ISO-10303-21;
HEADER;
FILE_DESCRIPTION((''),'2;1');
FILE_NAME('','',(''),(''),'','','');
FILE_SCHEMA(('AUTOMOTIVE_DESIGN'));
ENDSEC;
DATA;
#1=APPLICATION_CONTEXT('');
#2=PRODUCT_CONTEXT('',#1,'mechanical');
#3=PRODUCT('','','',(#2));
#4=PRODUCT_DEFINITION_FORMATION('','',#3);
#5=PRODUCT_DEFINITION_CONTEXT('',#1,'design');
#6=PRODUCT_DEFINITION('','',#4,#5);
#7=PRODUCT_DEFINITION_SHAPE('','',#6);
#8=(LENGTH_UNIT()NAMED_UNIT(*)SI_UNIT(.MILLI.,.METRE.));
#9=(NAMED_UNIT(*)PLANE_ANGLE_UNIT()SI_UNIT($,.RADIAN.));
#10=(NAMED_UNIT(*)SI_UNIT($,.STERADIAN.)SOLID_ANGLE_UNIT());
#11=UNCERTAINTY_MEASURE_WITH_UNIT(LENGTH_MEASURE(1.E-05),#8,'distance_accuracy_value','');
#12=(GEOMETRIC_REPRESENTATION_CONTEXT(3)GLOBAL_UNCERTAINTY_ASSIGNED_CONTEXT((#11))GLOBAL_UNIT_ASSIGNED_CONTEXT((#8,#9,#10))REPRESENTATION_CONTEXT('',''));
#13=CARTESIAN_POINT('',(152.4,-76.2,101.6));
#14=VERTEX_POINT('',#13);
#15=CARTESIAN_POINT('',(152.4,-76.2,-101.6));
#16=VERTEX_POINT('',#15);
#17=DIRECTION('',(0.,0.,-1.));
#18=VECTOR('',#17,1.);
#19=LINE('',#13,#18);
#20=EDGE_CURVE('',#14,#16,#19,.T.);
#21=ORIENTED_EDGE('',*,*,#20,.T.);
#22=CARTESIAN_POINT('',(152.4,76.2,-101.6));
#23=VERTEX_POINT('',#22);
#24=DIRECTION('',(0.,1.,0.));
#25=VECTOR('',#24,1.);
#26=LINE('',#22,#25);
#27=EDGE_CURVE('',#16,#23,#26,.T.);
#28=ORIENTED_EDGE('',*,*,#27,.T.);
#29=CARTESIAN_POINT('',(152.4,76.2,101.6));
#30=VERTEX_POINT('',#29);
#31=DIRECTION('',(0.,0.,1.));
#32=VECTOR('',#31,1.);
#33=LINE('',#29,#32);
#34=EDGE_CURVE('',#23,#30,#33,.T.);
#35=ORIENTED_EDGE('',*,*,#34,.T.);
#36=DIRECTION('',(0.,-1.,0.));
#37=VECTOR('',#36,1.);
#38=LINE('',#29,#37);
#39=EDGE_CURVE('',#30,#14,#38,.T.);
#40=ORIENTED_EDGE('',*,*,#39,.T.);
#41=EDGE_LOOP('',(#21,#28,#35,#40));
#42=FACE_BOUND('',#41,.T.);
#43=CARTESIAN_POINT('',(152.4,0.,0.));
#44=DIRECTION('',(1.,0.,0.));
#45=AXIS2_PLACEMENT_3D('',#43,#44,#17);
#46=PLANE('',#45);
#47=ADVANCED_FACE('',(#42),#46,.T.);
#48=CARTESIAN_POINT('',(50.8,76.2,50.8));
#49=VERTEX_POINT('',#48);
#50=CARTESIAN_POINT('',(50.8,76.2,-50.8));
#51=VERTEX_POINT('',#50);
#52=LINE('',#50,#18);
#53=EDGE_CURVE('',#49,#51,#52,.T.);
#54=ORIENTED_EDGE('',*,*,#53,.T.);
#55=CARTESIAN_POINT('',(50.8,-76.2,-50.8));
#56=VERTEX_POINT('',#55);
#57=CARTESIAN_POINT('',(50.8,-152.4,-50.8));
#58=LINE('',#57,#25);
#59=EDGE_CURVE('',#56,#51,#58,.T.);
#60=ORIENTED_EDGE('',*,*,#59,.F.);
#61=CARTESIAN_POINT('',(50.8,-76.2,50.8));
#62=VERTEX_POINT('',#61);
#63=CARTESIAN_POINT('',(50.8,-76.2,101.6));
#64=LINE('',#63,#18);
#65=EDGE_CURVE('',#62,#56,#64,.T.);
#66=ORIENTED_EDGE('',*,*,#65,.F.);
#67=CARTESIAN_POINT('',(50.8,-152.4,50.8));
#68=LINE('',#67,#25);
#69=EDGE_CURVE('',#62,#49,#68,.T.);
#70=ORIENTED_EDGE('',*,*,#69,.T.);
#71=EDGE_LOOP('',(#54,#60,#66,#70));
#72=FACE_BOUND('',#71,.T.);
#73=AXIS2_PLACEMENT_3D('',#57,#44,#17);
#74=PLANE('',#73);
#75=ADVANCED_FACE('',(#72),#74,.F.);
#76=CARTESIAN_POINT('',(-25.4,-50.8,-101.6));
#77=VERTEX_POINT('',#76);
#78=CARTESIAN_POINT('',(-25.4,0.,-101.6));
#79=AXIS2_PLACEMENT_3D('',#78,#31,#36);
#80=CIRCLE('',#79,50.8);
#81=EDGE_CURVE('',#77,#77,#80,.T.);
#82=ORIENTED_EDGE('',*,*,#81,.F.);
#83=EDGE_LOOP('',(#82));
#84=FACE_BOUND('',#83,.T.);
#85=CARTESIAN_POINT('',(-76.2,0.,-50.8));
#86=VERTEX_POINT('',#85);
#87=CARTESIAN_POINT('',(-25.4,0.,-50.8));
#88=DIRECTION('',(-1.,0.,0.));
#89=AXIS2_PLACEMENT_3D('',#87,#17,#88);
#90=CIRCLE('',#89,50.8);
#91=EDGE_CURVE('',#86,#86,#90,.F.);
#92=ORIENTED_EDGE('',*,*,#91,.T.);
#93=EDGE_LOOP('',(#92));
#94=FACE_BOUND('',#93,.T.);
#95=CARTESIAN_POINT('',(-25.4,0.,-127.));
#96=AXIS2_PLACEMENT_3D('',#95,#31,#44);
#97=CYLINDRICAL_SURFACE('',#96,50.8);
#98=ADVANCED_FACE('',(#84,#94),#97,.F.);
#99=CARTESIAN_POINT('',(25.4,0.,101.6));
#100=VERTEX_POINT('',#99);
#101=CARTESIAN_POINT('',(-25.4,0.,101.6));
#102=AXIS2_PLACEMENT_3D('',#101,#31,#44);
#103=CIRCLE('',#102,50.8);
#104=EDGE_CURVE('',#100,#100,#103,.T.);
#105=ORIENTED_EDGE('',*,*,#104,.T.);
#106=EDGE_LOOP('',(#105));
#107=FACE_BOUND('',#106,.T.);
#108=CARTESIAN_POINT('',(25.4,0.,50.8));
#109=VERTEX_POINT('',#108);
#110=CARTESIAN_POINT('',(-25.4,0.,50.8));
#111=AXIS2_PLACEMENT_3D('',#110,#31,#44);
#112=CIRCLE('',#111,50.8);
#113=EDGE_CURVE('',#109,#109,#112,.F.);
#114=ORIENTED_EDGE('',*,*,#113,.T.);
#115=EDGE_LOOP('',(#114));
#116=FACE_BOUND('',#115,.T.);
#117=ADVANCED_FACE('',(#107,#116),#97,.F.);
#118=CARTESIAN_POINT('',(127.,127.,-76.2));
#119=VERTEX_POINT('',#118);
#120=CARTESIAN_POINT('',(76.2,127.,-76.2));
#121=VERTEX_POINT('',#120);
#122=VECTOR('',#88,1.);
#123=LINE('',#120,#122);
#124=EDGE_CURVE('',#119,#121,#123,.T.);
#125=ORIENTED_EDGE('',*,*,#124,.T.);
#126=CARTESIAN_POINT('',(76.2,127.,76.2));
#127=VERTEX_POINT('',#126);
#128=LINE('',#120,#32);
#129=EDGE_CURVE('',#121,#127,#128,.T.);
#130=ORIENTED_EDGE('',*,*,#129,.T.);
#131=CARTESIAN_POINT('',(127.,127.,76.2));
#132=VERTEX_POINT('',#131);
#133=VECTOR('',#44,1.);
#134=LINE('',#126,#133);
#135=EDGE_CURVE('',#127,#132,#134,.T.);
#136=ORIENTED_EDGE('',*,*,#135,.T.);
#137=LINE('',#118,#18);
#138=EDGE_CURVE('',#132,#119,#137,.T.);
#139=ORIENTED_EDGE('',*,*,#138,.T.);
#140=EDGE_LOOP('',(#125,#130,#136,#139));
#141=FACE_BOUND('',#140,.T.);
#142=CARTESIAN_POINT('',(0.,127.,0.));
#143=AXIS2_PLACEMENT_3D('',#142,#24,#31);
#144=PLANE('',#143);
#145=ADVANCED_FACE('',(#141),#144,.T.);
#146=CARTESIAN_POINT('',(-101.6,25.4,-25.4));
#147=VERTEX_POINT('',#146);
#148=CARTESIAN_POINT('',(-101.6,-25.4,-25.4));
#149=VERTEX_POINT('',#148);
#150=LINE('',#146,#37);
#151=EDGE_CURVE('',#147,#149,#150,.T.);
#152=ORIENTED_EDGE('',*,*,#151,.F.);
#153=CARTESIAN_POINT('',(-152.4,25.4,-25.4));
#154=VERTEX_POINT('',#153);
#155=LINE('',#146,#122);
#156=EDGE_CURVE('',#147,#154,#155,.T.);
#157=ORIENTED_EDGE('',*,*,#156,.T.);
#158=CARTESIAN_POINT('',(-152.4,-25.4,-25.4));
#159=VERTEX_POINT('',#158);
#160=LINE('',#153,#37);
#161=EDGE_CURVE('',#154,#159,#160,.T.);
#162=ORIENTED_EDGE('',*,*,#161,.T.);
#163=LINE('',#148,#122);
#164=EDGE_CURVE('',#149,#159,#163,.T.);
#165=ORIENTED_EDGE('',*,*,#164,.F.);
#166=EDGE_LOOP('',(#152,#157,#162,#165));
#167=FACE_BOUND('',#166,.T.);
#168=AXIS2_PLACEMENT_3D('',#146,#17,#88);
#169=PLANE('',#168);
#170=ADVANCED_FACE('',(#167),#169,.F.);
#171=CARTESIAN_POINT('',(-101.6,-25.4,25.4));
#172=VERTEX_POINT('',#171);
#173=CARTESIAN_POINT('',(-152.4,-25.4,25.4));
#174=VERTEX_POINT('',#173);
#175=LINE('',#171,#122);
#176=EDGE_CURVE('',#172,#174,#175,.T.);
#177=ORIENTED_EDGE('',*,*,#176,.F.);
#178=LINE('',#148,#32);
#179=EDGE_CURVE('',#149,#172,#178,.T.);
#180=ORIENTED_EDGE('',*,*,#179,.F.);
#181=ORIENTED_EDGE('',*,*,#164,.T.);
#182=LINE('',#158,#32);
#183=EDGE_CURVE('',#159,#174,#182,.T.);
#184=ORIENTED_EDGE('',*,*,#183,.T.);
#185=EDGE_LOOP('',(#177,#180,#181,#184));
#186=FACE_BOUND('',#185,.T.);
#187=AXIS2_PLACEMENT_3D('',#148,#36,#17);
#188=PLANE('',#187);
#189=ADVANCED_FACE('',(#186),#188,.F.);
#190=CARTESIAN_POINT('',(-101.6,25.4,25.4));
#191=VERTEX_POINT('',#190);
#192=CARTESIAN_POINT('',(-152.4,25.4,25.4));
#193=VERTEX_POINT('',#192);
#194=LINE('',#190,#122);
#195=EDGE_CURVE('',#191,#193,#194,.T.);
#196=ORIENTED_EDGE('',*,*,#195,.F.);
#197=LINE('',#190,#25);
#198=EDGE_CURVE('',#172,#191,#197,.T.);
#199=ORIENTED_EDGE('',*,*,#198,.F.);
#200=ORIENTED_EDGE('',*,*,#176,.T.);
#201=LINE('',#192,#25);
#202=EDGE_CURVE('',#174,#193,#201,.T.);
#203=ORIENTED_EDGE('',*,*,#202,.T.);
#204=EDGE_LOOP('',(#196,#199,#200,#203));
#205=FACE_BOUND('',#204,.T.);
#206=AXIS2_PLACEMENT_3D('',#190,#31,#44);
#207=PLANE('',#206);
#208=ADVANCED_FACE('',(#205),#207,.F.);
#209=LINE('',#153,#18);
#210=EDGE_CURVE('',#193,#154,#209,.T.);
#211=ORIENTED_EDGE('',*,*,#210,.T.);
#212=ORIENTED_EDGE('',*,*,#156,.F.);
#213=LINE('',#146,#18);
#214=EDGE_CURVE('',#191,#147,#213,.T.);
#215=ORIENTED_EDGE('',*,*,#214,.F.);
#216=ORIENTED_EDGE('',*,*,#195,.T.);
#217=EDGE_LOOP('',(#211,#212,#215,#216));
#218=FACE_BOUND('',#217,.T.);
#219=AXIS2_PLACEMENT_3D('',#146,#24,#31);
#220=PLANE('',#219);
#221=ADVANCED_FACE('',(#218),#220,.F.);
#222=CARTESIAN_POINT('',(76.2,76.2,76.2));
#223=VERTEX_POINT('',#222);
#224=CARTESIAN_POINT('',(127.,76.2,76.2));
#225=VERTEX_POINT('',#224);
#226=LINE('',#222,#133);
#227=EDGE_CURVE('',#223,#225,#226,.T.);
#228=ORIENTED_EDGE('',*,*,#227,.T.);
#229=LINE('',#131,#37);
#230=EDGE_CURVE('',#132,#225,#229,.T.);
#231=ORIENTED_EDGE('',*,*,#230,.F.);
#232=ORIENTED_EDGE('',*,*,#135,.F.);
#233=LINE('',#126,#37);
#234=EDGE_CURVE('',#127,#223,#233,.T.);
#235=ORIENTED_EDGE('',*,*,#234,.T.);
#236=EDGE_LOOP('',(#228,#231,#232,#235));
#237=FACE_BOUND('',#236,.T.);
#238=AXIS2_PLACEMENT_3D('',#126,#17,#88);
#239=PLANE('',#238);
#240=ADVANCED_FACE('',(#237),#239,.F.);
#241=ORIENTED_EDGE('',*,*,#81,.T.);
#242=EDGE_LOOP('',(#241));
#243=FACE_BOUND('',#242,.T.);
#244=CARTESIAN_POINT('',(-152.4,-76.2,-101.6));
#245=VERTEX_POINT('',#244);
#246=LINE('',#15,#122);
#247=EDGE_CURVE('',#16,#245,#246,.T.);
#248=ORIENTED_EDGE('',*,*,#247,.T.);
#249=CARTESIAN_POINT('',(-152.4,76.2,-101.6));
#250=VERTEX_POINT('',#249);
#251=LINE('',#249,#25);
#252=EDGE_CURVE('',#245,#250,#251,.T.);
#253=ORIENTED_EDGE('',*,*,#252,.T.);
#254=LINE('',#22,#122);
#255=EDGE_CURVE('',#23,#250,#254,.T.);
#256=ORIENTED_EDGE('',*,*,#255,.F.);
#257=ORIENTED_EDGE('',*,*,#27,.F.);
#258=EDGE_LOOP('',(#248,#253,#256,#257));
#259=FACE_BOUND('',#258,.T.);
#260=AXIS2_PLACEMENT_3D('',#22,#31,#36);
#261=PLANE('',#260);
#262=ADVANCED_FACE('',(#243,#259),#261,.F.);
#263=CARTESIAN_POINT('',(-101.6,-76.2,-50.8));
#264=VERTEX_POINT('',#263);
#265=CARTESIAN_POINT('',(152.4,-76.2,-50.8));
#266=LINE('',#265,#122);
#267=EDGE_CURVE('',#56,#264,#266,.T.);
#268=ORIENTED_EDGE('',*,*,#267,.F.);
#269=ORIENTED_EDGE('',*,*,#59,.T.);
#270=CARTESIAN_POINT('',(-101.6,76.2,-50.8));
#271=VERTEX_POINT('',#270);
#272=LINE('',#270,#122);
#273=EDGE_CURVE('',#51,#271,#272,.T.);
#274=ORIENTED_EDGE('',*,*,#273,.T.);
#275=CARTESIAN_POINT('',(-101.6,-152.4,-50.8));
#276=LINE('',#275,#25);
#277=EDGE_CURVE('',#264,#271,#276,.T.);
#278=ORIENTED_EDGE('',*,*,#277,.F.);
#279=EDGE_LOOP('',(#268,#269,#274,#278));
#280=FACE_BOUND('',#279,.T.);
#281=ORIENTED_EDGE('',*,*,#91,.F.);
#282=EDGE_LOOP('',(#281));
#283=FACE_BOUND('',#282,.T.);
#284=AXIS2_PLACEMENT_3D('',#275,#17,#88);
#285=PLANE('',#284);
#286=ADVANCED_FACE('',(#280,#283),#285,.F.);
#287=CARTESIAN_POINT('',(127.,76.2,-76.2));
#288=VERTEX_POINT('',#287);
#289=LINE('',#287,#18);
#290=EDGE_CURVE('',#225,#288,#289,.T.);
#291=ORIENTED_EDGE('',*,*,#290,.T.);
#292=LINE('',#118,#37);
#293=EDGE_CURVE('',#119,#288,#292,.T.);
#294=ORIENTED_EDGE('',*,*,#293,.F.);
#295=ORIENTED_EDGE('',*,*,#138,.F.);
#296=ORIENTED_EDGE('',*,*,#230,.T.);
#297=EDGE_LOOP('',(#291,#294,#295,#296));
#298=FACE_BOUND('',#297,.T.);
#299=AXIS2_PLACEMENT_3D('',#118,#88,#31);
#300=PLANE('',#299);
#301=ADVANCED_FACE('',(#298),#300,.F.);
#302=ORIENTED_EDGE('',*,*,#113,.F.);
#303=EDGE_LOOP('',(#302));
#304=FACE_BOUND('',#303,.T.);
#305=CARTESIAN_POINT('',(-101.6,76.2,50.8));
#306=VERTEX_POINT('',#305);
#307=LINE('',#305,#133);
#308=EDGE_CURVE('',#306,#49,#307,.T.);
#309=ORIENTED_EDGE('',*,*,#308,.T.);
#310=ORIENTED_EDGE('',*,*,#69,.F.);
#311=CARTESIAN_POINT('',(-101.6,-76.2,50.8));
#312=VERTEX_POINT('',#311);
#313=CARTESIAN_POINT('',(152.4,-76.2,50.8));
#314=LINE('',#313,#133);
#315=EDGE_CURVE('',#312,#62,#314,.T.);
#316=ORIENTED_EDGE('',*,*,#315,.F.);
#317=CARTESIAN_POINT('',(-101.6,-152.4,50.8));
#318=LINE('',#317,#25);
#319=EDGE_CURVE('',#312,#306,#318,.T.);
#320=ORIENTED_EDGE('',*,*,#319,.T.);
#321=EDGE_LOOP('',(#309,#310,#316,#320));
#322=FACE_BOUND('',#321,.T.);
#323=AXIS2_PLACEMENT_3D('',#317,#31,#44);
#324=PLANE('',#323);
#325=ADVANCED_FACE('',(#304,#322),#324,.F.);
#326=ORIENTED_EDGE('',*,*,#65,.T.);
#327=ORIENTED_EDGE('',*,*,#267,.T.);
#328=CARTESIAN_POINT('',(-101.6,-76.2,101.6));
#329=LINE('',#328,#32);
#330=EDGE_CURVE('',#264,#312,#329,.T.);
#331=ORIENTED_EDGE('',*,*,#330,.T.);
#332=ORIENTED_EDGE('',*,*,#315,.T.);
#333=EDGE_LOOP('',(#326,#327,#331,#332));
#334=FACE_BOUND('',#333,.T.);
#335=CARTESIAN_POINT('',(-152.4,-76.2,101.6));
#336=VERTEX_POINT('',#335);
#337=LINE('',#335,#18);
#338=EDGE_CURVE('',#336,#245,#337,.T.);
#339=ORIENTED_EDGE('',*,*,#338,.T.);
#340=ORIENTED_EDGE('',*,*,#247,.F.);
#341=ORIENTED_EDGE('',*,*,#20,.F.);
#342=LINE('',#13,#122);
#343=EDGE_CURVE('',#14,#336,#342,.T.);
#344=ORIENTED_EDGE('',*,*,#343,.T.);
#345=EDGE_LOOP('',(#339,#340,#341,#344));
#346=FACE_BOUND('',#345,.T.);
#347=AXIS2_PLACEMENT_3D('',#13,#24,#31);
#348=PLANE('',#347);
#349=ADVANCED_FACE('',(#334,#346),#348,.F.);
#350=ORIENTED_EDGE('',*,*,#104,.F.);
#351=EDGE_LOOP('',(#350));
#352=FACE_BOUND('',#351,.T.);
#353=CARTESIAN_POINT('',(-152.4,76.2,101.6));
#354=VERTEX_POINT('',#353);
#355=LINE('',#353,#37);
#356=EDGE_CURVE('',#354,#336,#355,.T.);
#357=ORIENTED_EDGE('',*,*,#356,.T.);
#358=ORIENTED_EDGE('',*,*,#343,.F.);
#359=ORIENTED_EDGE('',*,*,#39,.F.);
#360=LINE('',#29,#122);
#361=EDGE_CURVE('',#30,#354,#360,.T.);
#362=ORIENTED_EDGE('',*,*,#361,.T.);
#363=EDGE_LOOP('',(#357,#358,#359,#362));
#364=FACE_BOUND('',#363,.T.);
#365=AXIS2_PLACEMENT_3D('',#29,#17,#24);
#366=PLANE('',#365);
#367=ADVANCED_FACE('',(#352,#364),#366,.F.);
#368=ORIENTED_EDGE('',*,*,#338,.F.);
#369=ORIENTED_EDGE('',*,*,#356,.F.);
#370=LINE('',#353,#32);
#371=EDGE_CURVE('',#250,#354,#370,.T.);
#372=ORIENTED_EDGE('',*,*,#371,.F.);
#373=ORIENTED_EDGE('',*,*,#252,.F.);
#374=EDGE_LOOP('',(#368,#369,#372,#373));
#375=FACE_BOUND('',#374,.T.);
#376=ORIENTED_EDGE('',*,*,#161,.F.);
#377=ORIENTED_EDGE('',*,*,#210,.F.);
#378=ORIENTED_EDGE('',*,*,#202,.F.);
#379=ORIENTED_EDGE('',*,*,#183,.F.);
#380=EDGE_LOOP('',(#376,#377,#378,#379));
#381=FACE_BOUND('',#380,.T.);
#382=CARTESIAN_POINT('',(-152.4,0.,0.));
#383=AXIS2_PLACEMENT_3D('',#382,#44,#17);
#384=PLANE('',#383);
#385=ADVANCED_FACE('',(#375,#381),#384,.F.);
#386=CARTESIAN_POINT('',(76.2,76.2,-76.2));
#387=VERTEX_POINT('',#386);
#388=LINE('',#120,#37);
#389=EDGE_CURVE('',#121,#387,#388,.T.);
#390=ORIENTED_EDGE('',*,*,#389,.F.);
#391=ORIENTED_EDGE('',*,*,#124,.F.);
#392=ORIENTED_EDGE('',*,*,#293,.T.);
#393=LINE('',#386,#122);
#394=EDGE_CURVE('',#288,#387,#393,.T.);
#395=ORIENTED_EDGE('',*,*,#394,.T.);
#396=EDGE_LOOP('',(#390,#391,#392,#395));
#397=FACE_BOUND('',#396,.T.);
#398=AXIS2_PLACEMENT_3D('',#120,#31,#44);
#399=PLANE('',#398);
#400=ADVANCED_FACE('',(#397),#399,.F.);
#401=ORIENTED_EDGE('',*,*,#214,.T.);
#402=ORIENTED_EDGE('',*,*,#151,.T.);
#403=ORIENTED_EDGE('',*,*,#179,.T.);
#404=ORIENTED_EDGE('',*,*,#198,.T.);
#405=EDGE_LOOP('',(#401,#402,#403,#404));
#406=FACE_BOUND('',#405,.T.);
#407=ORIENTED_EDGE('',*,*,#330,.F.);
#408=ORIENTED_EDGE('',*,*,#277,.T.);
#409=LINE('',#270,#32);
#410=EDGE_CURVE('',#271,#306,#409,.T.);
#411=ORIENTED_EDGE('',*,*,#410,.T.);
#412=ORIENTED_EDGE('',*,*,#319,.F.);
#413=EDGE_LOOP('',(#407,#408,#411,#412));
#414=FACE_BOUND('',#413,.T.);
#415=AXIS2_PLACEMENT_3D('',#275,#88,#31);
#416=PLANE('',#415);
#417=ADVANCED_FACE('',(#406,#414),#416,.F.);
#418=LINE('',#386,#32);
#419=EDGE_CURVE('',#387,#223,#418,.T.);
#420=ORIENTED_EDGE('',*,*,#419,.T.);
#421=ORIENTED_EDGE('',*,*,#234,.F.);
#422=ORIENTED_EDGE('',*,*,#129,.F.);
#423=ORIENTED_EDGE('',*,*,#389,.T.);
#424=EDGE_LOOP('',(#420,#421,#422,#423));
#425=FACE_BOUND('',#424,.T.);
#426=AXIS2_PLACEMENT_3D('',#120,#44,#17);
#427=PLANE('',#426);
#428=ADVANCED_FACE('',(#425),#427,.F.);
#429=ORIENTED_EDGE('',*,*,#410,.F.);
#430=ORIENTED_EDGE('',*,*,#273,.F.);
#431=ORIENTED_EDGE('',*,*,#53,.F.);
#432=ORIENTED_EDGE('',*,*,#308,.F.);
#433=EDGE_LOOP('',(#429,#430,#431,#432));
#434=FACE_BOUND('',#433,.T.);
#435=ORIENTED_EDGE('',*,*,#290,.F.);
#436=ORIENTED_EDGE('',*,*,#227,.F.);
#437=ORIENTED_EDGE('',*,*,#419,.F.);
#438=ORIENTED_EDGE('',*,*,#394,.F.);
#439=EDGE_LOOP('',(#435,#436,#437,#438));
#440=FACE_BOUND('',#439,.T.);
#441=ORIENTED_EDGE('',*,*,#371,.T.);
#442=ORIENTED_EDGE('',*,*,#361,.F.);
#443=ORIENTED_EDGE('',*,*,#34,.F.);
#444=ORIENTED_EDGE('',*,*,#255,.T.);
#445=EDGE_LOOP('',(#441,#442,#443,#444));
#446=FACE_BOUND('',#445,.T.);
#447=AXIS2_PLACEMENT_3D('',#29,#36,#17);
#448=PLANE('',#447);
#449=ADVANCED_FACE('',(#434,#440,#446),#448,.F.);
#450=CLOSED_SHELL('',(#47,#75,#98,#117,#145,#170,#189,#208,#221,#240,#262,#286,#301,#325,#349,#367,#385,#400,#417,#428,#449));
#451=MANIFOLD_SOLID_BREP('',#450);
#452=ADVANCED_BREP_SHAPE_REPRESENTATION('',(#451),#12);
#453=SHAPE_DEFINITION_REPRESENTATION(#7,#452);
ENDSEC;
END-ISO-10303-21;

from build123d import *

# Parameters (mm, degrees)
SKETCH2_W           = 203.2
SKETCH2_H           = 152.4
BOSS_EXTRUDE1_DEPTH = 152.4
SKETCH6_R           = 50.8
CUT_EXTRUDE2_DEPTH  = 228.6
SKETCH7_W           = 50.8
SKETCH7_H           = 50.8
CUT_EXTRUDE3_DEPTH  = 50.8
SKETCH5_W           = 50.8
SKETCH5_H           = 152.4
BOSS_EXTRUDE3_DEPTH = 50.8
SKETCH3_W           = 152.4
SKETCH3_H           = 101.6
CUT_EXTRUDE4_DEPTH  = 228.6


with BuildPart() as part:
    # Sketch2 → Boss-Extrude1 (new, symmetric)
    with BuildSketch(Plane(origin=(0, 0, 0), x_dir=(0, 0, -1), z_dir=(1, 0, 0))):
        Rectangle(SKETCH2_W, SKETCH2_H)
    extrude(amount=BOSS_EXTRUDE1_DEPTH, both=True)

    # Sketch6 → Cut-Extrude2 (cut)
    with BuildSketch(Plane.XY.offset(101.6)):
        with Locations((-25.4, 0)):
            Circle(SKETCH6_R)
    extrude(amount=-CUT_EXTRUDE2_DEPTH, mode=Mode.SUBTRACT)

    # Sketch7 → Cut-Extrude3 (cut)
    with BuildSketch(Plane.ZY.offset(152.4)):
        Rectangle(SKETCH7_W, SKETCH7_H)
    extrude(amount=-CUT_EXTRUDE3_DEPTH, mode=Mode.SUBTRACT)

    # Sketch5 → Boss-Extrude3 (add)
    with BuildSketch(Plane(origin=(0, 76.2, 0), x_dir=(1, 0, 0), z_dir=(0, 1, 0))):
        with Locations((101.6, 0)):
            Rectangle(SKETCH5_W, SKETCH5_H)
    extrude(amount=BOSS_EXTRUDE3_DEPTH)

    # Sketch3 → Cut-Extrude4 (cut)
    with BuildSketch(Plane(origin=(0, 76.2, 0), x_dir=(1, 0, 0), z_dir=(0, 1, 0))):
        with Locations((-25.4, 0)):
            Rectangle(SKETCH3_W, SKETCH3_H)
    extrude(amount=-CUT_EXTRUDE4_DEPTH, mode=Mode.SUBTRACT)


solid = part.part
